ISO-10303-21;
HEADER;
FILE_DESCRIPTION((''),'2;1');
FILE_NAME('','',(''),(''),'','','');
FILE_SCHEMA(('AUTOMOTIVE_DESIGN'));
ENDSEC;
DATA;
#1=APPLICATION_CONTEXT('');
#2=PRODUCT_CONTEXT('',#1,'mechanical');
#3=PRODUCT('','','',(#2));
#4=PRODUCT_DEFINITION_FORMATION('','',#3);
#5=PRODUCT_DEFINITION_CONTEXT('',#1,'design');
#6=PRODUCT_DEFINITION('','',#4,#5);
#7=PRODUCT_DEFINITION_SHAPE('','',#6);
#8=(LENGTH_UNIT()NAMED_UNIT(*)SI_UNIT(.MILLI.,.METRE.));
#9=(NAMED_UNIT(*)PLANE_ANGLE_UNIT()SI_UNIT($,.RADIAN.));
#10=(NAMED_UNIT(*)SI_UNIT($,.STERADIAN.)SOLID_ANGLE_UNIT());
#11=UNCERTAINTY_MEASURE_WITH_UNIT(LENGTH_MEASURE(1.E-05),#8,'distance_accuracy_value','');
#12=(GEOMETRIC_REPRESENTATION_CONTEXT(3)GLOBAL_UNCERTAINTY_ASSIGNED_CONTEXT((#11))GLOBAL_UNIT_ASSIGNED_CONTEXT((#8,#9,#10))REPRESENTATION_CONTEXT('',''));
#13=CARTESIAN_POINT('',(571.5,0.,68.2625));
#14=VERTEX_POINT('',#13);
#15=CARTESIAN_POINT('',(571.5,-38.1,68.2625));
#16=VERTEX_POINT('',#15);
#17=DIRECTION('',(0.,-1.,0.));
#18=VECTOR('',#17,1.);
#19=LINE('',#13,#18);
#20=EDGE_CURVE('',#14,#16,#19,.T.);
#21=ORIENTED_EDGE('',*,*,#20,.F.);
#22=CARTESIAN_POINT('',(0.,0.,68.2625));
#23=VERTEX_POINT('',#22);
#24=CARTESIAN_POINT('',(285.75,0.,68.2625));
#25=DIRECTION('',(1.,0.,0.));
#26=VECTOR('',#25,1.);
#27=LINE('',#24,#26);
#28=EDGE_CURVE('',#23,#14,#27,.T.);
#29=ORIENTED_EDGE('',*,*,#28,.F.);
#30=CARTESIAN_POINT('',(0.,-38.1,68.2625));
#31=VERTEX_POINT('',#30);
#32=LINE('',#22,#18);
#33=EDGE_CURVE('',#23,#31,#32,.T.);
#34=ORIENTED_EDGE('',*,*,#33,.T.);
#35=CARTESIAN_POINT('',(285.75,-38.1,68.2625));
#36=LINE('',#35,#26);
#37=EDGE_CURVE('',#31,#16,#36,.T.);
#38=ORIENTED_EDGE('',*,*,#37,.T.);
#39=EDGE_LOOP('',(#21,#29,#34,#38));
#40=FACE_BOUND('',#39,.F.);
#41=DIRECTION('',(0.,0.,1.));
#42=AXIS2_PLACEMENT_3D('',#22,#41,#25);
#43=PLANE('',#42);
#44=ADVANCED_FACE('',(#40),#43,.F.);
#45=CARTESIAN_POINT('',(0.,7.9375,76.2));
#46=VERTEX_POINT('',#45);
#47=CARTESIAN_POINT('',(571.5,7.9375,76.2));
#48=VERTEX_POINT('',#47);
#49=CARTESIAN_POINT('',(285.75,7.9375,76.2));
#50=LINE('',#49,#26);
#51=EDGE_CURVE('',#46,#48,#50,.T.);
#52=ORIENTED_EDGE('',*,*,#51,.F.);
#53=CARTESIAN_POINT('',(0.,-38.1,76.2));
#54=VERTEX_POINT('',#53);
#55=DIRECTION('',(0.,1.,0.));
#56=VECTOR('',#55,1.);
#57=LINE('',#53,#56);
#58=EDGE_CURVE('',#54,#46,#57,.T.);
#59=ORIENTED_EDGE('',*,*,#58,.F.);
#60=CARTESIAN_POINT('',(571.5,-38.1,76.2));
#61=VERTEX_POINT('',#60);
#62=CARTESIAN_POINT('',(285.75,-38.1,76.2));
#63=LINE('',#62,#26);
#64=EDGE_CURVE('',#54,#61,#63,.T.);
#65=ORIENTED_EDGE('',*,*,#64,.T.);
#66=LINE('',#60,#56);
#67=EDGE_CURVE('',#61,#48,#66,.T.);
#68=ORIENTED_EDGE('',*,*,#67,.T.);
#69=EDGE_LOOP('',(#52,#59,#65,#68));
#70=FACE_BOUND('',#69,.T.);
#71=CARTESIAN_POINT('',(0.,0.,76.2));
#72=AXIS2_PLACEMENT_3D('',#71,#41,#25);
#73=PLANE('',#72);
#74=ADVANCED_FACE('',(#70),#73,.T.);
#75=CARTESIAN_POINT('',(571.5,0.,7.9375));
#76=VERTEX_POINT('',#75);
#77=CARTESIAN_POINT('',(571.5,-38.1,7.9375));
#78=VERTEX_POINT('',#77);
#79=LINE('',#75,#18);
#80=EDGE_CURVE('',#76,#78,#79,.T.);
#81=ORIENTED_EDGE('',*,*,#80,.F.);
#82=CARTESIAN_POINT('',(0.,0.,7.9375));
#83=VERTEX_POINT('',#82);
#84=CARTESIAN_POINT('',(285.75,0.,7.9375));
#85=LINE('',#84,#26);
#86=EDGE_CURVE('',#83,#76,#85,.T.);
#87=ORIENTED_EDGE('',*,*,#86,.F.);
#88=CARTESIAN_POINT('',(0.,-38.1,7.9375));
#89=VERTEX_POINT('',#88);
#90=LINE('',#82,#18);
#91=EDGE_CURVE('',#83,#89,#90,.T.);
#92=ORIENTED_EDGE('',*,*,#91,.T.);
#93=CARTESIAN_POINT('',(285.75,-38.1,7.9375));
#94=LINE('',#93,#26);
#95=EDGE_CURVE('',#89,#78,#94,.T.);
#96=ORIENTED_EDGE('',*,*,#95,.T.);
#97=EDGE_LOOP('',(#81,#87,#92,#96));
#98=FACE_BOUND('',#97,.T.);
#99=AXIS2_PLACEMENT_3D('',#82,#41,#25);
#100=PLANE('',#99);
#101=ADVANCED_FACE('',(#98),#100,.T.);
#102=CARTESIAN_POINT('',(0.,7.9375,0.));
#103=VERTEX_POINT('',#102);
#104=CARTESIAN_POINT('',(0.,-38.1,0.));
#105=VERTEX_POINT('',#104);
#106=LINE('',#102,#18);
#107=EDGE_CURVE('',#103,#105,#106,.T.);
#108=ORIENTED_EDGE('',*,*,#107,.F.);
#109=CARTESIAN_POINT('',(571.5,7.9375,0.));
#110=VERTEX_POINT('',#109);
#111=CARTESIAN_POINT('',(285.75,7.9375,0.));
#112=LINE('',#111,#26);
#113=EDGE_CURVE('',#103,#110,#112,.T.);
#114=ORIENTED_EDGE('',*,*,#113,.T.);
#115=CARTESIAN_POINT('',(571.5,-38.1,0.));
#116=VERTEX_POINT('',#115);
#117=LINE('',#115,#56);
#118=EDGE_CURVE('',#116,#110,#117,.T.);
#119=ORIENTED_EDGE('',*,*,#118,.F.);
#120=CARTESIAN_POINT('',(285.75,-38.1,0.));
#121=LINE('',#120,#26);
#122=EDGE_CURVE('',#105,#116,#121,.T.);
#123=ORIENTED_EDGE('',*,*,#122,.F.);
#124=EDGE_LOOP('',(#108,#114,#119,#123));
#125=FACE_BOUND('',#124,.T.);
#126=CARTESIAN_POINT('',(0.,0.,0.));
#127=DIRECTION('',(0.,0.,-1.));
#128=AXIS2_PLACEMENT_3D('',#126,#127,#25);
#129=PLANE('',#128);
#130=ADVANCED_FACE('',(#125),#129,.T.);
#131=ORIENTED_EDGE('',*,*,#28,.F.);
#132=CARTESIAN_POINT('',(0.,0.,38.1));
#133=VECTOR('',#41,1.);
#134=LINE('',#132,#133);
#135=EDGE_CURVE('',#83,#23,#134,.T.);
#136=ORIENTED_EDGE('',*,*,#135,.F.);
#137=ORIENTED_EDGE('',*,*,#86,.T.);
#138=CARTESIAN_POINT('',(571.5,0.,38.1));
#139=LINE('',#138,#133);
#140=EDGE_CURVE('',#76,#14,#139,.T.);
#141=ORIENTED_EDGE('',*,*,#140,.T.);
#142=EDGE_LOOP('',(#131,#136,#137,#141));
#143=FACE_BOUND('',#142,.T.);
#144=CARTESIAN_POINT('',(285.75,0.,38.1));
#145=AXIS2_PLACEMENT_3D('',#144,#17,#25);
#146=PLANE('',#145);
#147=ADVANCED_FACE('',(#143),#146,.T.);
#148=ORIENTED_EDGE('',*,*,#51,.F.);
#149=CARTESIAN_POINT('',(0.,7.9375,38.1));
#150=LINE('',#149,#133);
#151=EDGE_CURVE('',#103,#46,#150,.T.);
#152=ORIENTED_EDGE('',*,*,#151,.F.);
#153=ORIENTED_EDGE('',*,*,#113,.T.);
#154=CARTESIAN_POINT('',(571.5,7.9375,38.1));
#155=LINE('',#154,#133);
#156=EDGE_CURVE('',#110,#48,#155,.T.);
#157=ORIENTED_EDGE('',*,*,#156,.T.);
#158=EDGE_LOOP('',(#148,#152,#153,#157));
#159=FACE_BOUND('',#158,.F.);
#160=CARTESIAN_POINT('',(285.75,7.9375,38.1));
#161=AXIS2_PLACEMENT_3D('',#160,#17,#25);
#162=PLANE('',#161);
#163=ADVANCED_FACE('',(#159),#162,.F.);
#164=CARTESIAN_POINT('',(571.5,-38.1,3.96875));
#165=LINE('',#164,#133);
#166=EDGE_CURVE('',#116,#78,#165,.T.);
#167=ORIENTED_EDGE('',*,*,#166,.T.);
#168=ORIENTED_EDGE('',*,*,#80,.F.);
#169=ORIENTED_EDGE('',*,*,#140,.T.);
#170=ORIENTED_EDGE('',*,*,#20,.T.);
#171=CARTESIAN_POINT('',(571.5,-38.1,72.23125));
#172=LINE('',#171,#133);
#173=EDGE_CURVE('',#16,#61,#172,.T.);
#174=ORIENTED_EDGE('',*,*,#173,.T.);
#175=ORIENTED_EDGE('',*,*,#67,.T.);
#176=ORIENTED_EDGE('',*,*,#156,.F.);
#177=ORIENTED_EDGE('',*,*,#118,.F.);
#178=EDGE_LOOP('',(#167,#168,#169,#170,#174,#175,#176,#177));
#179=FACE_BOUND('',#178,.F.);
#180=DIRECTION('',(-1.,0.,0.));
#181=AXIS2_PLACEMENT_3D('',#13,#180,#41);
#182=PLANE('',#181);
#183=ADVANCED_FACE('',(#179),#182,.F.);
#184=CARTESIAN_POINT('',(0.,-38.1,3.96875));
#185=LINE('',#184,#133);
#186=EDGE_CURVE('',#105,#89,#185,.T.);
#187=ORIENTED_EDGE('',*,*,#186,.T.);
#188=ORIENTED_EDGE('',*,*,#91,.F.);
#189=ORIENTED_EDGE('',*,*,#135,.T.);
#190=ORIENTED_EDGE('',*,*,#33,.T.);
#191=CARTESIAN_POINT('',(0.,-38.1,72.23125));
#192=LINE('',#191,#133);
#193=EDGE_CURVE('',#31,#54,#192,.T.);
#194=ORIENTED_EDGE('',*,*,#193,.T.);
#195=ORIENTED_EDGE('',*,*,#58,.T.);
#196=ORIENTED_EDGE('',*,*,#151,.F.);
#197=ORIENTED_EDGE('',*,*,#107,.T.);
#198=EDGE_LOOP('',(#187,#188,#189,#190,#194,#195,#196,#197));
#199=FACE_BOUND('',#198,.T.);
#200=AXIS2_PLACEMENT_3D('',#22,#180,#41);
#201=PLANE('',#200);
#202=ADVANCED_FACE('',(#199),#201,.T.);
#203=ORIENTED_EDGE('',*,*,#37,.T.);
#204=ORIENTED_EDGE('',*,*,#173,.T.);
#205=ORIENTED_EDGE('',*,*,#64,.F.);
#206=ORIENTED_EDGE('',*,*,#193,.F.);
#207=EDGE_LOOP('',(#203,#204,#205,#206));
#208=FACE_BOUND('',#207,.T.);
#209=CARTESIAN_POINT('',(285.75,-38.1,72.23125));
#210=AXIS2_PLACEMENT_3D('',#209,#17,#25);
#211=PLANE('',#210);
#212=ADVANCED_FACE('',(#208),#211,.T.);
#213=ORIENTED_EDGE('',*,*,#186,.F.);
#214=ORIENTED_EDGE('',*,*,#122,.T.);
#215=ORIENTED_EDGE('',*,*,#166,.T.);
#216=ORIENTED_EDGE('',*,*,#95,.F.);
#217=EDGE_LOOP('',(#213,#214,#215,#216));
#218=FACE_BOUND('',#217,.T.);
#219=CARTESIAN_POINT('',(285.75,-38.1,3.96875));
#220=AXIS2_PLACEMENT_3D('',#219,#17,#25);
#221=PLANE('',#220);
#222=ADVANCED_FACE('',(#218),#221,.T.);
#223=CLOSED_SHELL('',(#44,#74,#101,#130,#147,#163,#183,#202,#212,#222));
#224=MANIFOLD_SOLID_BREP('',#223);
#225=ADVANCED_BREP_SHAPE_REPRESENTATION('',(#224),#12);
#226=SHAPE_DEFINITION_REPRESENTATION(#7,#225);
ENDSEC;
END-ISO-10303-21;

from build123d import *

# Parameters (mm, degrees)
F0_W     = 571.5
F0_H     = 76.2
F1_DEPTH = 7.9375
F2_W     = 571.5
F2_H     = 7.9375
F3_DEPTH = 38.1


with BuildPart() as f1:
    # F0 (on Front) → F1 (new body)
    with BuildSketch(Plane.XZ):
        with Locations((285.75, 38.1)):
            Rectangle(F0_W, F0_H)
    extrude(amount=-F1_DEPTH)

    # F2 (on Front) → F3 (join)
    with BuildSketch(Plane.XZ):
        with Locations((285.75, 72.23125)):
            Rectangle(F2_W, F2_H)
        with Locations((285.75, 3.96875)):
            Rectangle(F2_W, F2_H)
    extrude(amount=F3_DEPTH)


solid = f1.part
